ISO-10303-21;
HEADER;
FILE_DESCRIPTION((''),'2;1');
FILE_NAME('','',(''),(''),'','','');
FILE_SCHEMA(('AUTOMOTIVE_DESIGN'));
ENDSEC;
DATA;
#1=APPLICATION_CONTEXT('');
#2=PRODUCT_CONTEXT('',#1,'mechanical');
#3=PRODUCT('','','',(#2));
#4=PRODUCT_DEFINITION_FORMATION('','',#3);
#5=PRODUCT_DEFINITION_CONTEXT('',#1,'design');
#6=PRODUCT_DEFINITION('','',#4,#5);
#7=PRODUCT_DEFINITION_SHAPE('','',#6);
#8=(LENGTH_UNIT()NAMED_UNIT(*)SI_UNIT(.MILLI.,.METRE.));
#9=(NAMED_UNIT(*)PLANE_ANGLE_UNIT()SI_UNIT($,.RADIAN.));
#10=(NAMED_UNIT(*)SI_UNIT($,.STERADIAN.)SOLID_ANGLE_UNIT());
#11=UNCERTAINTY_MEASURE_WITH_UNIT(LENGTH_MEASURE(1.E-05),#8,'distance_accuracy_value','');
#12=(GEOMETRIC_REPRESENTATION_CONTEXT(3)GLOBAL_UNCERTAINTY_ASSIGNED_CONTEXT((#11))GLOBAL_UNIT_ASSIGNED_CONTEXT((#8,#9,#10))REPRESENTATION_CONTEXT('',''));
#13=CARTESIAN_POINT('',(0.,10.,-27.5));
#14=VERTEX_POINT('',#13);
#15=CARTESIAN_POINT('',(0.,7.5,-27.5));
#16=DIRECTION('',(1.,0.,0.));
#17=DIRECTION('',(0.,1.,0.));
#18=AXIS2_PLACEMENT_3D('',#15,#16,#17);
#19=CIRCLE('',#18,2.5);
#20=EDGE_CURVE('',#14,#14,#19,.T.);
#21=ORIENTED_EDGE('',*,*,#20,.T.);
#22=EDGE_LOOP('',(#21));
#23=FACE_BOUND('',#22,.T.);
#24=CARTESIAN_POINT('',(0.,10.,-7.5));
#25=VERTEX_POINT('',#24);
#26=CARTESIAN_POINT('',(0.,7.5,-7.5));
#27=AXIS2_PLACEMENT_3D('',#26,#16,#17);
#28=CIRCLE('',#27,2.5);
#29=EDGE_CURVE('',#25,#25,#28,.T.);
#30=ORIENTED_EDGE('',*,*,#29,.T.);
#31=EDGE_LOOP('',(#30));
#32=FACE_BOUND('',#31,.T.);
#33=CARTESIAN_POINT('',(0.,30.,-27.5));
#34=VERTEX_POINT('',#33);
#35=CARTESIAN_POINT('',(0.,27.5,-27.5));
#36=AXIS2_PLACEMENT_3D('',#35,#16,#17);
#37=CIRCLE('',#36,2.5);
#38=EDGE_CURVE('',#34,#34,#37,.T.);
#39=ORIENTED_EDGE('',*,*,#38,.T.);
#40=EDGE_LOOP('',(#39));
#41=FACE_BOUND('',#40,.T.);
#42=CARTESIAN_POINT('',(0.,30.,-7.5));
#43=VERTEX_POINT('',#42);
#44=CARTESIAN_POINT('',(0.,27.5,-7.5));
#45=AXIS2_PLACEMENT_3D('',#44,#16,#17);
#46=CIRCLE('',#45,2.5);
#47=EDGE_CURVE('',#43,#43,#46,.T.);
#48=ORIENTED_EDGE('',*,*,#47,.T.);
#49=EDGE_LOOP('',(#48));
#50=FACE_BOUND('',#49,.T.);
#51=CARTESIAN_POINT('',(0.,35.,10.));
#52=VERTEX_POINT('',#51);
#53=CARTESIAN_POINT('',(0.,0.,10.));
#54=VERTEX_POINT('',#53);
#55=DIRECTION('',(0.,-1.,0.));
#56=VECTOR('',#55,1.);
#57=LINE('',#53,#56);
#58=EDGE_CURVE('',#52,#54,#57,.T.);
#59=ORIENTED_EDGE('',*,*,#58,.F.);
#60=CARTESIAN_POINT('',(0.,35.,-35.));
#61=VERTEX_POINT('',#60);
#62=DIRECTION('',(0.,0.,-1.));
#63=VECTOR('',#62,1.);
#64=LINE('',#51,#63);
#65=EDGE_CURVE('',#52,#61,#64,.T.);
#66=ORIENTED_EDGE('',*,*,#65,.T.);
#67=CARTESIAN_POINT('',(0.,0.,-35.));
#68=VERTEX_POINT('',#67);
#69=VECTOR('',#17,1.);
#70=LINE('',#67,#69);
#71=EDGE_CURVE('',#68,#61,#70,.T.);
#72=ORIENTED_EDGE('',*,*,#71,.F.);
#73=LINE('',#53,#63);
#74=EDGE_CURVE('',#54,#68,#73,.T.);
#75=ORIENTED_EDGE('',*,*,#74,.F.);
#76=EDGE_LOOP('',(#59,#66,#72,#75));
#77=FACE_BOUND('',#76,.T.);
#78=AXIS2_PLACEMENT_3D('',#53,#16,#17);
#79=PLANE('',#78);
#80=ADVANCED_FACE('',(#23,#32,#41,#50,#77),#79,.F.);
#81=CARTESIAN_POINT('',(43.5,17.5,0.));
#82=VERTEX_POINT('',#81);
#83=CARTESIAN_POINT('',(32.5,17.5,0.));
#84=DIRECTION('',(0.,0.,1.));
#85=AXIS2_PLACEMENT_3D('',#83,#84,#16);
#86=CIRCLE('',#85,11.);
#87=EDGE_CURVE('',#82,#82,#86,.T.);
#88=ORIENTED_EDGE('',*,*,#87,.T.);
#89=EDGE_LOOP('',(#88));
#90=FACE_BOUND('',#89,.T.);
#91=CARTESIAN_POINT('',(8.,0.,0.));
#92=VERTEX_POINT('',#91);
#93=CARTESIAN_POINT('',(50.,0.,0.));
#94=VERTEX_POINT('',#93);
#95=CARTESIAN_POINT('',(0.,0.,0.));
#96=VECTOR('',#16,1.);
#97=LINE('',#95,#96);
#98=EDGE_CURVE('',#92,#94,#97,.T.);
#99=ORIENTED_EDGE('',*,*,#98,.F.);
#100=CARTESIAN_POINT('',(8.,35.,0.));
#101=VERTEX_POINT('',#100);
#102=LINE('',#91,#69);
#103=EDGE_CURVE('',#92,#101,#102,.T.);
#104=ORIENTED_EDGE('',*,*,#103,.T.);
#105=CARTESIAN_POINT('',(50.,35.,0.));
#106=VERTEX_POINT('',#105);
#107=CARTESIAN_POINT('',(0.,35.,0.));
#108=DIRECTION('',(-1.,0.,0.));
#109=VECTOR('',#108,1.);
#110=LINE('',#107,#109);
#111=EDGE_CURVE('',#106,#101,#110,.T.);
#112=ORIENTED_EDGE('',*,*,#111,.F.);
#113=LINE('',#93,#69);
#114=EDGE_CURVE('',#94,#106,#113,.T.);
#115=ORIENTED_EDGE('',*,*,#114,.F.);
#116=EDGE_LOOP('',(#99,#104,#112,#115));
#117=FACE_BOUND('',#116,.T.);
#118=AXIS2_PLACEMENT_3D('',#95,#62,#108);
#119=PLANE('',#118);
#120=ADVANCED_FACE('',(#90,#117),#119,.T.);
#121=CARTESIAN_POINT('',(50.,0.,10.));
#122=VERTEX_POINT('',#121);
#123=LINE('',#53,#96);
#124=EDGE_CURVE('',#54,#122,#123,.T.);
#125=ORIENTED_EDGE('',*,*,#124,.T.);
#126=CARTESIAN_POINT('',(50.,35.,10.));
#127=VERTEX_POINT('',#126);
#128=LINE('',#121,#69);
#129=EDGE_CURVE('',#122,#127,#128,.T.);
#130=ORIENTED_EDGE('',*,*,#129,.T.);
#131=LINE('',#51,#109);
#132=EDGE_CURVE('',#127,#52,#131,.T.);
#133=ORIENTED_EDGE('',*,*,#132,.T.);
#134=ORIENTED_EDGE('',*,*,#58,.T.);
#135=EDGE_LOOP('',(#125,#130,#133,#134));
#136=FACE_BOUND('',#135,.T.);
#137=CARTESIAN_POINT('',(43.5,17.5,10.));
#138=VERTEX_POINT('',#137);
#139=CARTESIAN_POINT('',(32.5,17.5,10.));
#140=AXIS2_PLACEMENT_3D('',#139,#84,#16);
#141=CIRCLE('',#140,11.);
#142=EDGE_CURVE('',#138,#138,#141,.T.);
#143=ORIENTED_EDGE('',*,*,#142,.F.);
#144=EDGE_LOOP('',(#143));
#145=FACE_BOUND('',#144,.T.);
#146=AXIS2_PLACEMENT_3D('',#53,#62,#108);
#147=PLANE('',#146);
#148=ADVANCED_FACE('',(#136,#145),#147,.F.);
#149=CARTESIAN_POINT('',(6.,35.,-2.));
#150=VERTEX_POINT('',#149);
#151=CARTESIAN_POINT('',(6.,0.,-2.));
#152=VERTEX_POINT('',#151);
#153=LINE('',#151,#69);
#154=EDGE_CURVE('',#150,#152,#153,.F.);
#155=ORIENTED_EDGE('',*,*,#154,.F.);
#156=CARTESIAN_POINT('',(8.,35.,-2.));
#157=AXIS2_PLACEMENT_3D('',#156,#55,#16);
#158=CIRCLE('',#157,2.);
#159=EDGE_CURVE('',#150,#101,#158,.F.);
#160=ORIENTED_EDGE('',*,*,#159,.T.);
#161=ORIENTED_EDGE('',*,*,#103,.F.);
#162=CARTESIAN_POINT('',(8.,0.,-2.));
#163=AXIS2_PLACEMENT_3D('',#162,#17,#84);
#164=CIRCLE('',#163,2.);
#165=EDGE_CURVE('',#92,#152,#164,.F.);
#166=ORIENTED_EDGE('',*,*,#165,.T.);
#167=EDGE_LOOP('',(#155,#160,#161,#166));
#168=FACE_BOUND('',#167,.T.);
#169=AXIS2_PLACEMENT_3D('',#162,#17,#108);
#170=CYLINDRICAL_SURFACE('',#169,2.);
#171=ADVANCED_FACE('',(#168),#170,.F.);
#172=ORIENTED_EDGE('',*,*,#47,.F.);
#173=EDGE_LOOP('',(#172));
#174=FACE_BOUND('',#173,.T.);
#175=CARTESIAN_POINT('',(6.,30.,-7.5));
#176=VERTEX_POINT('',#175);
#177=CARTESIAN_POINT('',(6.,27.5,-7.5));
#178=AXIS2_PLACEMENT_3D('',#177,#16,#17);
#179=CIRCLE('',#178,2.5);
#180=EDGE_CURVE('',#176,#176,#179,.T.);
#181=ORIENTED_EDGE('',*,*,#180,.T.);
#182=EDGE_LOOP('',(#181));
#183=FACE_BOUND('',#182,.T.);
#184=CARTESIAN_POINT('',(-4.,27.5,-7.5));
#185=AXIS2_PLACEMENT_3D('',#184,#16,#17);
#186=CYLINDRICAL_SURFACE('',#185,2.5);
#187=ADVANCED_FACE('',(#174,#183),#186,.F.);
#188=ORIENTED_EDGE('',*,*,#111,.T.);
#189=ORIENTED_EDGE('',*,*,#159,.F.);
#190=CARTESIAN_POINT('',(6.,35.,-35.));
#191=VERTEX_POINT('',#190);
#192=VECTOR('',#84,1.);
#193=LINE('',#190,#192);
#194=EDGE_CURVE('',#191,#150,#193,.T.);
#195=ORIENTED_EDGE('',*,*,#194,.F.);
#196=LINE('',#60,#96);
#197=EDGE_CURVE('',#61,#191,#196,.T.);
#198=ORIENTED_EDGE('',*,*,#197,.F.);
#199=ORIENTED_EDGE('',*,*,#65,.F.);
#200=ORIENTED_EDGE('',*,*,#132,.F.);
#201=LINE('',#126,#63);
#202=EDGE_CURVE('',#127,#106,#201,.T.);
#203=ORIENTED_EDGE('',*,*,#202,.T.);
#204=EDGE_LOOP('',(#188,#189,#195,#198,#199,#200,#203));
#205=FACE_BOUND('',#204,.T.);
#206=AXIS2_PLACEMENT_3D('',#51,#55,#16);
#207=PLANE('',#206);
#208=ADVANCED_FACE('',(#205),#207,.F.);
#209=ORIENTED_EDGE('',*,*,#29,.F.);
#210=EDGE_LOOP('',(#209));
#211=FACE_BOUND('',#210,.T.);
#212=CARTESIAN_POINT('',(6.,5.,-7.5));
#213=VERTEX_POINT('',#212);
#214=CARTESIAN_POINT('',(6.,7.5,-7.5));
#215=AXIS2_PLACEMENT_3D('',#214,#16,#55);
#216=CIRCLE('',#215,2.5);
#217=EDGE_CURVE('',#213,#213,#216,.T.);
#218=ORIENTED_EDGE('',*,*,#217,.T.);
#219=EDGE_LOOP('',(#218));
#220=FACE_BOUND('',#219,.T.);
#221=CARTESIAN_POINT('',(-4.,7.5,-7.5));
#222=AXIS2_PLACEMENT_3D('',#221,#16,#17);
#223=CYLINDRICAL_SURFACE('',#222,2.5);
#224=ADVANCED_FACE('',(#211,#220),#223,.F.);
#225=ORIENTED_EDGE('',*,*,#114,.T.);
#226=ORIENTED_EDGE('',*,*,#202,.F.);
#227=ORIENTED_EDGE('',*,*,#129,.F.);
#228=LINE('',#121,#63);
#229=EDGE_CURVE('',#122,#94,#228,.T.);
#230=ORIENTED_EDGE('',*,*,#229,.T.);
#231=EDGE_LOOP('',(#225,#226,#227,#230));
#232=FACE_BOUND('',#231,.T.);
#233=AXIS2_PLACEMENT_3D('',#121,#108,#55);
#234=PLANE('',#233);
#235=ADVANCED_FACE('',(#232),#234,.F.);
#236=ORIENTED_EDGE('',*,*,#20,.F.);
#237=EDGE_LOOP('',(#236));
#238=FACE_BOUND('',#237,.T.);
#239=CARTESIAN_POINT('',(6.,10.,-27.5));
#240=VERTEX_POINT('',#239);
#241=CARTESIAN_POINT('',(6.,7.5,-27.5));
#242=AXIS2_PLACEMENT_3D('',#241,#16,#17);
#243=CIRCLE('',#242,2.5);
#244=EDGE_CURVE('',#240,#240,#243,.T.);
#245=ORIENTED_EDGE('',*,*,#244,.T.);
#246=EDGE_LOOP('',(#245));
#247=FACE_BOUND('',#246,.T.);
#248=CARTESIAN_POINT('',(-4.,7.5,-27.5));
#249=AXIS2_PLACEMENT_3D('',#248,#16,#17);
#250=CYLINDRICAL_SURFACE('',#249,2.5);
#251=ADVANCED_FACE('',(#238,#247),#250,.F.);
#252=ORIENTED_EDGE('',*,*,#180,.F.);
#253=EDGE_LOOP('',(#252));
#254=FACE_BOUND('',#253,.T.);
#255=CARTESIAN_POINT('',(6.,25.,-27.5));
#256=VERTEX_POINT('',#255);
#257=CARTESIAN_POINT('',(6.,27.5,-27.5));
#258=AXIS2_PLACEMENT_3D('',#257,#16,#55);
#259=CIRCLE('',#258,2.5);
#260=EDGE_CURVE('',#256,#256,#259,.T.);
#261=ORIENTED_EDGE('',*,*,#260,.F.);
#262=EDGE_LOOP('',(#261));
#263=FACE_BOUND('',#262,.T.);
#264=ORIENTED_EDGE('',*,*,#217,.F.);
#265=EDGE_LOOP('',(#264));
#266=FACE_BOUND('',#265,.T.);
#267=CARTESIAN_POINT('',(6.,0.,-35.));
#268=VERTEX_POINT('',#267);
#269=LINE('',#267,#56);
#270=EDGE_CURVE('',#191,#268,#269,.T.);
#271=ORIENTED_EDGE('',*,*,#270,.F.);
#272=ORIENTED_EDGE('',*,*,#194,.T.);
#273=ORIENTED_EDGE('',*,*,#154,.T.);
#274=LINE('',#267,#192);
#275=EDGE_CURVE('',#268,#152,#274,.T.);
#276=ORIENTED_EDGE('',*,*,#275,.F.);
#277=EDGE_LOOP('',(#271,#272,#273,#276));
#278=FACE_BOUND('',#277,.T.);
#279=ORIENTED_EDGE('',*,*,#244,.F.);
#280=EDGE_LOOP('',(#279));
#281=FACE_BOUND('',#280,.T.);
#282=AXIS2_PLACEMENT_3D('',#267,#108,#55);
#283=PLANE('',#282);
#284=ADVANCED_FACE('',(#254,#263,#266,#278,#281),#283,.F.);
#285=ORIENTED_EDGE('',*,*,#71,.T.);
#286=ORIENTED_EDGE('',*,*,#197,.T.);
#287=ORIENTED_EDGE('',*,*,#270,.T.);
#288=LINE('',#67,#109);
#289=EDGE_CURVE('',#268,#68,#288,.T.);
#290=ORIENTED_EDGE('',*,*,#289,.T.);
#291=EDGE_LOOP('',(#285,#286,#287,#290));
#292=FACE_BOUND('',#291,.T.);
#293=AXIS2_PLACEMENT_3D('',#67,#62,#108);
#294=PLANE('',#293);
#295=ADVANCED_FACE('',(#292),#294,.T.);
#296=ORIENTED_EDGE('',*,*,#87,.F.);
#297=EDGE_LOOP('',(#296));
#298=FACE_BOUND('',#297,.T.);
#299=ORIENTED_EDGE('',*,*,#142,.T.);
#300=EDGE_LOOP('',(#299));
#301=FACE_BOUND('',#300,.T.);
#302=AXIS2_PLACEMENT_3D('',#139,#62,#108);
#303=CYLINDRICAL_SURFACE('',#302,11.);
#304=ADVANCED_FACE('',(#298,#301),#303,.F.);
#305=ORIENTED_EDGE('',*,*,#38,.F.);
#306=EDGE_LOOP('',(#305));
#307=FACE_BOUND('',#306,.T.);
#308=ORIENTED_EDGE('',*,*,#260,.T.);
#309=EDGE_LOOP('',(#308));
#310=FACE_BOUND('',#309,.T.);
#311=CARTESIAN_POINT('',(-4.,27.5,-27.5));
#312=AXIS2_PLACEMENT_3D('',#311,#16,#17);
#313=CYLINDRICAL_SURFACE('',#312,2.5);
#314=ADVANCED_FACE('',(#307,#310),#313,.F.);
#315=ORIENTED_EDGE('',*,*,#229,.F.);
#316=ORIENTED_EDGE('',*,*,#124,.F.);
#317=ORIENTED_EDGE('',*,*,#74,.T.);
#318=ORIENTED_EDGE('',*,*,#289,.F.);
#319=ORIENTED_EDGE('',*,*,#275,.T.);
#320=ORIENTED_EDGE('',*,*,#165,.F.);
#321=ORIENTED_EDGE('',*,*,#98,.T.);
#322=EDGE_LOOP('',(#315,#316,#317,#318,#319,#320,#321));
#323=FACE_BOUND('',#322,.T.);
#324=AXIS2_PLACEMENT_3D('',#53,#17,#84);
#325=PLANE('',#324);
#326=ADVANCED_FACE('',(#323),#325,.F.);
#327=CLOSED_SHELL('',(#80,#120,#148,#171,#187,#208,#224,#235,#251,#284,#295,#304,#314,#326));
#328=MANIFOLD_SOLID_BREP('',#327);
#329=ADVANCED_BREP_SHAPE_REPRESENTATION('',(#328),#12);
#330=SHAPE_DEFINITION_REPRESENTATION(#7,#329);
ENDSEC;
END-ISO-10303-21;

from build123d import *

# Parameters (mm, degrees)
SKETCH1_W           = 50
SKETCH1_H           = 35
SKETCH1_R           = 11
BOSS_EXTRUDE3_DEPTH = 10
BOSS_EXTRUDE6_DEPTH = 35
SKETCH9_R           = 2.5
CUT_EXTRUDE1_DEPTH  = 10
FILLET1_R           = 2


with BuildPart() as part:
    # Sketch1 → Boss-Extrude3 (new body)
    with BuildSketch(Plane.XY):
        with Locations((25, 17.5)):
            Rectangle(SKETCH1_W, SKETCH1_H)
        with Locations((32.5, 17.5)):
            Circle(SKETCH1_R, mode=Mode.SUBTRACT)
    extrude(amount=BOSS_EXTRUDE3_DEPTH)

    # Sketch8 → Boss-Extrude6 (add)
    with BuildSketch(Plane(origin=(0, 0, 0), x_dir=(-1, 0, 0), z_dir=(0, 0, -1))):
        Polygon((-6, 10.000000197), (-6, 0), (0, 0), (0, 10.000000197), (0, 25), (0, 35), (-6, 35), (-6, 25), align=None)
    extrude(amount=BOSS_EXTRUDE6_DEPTH)

    # Sketch9 → Cut-Extrude1 (cut)
    with BuildSketch(Plane(origin=(6, 0, 0), x_dir=(0, 0, -1), z_dir=(1, 0, 0))):
        with Locations((7.5, 27.5)):
            Circle(SKETCH9_R)
        with Locations((27.5, 27.5)):
            Circle(SKETCH9_R)
        with Locations((7.5, 7.5)):
            Circle(SKETCH9_R)
        with Locations((27.5, 7.5)):
            Circle(SKETCH9_R)
    extrude(amount=-CUT_EXTRUDE1_DEPTH, mode=Mode.SUBTRACT)

    # Fillet1
    fillet1_edges = [part.edges().sort_by_distance(p)[0] for p in [
        (6, 17.5, 0),
    ]]
    fillet(fillet1_edges, radius=FILLET1_R)


solid = part.part
